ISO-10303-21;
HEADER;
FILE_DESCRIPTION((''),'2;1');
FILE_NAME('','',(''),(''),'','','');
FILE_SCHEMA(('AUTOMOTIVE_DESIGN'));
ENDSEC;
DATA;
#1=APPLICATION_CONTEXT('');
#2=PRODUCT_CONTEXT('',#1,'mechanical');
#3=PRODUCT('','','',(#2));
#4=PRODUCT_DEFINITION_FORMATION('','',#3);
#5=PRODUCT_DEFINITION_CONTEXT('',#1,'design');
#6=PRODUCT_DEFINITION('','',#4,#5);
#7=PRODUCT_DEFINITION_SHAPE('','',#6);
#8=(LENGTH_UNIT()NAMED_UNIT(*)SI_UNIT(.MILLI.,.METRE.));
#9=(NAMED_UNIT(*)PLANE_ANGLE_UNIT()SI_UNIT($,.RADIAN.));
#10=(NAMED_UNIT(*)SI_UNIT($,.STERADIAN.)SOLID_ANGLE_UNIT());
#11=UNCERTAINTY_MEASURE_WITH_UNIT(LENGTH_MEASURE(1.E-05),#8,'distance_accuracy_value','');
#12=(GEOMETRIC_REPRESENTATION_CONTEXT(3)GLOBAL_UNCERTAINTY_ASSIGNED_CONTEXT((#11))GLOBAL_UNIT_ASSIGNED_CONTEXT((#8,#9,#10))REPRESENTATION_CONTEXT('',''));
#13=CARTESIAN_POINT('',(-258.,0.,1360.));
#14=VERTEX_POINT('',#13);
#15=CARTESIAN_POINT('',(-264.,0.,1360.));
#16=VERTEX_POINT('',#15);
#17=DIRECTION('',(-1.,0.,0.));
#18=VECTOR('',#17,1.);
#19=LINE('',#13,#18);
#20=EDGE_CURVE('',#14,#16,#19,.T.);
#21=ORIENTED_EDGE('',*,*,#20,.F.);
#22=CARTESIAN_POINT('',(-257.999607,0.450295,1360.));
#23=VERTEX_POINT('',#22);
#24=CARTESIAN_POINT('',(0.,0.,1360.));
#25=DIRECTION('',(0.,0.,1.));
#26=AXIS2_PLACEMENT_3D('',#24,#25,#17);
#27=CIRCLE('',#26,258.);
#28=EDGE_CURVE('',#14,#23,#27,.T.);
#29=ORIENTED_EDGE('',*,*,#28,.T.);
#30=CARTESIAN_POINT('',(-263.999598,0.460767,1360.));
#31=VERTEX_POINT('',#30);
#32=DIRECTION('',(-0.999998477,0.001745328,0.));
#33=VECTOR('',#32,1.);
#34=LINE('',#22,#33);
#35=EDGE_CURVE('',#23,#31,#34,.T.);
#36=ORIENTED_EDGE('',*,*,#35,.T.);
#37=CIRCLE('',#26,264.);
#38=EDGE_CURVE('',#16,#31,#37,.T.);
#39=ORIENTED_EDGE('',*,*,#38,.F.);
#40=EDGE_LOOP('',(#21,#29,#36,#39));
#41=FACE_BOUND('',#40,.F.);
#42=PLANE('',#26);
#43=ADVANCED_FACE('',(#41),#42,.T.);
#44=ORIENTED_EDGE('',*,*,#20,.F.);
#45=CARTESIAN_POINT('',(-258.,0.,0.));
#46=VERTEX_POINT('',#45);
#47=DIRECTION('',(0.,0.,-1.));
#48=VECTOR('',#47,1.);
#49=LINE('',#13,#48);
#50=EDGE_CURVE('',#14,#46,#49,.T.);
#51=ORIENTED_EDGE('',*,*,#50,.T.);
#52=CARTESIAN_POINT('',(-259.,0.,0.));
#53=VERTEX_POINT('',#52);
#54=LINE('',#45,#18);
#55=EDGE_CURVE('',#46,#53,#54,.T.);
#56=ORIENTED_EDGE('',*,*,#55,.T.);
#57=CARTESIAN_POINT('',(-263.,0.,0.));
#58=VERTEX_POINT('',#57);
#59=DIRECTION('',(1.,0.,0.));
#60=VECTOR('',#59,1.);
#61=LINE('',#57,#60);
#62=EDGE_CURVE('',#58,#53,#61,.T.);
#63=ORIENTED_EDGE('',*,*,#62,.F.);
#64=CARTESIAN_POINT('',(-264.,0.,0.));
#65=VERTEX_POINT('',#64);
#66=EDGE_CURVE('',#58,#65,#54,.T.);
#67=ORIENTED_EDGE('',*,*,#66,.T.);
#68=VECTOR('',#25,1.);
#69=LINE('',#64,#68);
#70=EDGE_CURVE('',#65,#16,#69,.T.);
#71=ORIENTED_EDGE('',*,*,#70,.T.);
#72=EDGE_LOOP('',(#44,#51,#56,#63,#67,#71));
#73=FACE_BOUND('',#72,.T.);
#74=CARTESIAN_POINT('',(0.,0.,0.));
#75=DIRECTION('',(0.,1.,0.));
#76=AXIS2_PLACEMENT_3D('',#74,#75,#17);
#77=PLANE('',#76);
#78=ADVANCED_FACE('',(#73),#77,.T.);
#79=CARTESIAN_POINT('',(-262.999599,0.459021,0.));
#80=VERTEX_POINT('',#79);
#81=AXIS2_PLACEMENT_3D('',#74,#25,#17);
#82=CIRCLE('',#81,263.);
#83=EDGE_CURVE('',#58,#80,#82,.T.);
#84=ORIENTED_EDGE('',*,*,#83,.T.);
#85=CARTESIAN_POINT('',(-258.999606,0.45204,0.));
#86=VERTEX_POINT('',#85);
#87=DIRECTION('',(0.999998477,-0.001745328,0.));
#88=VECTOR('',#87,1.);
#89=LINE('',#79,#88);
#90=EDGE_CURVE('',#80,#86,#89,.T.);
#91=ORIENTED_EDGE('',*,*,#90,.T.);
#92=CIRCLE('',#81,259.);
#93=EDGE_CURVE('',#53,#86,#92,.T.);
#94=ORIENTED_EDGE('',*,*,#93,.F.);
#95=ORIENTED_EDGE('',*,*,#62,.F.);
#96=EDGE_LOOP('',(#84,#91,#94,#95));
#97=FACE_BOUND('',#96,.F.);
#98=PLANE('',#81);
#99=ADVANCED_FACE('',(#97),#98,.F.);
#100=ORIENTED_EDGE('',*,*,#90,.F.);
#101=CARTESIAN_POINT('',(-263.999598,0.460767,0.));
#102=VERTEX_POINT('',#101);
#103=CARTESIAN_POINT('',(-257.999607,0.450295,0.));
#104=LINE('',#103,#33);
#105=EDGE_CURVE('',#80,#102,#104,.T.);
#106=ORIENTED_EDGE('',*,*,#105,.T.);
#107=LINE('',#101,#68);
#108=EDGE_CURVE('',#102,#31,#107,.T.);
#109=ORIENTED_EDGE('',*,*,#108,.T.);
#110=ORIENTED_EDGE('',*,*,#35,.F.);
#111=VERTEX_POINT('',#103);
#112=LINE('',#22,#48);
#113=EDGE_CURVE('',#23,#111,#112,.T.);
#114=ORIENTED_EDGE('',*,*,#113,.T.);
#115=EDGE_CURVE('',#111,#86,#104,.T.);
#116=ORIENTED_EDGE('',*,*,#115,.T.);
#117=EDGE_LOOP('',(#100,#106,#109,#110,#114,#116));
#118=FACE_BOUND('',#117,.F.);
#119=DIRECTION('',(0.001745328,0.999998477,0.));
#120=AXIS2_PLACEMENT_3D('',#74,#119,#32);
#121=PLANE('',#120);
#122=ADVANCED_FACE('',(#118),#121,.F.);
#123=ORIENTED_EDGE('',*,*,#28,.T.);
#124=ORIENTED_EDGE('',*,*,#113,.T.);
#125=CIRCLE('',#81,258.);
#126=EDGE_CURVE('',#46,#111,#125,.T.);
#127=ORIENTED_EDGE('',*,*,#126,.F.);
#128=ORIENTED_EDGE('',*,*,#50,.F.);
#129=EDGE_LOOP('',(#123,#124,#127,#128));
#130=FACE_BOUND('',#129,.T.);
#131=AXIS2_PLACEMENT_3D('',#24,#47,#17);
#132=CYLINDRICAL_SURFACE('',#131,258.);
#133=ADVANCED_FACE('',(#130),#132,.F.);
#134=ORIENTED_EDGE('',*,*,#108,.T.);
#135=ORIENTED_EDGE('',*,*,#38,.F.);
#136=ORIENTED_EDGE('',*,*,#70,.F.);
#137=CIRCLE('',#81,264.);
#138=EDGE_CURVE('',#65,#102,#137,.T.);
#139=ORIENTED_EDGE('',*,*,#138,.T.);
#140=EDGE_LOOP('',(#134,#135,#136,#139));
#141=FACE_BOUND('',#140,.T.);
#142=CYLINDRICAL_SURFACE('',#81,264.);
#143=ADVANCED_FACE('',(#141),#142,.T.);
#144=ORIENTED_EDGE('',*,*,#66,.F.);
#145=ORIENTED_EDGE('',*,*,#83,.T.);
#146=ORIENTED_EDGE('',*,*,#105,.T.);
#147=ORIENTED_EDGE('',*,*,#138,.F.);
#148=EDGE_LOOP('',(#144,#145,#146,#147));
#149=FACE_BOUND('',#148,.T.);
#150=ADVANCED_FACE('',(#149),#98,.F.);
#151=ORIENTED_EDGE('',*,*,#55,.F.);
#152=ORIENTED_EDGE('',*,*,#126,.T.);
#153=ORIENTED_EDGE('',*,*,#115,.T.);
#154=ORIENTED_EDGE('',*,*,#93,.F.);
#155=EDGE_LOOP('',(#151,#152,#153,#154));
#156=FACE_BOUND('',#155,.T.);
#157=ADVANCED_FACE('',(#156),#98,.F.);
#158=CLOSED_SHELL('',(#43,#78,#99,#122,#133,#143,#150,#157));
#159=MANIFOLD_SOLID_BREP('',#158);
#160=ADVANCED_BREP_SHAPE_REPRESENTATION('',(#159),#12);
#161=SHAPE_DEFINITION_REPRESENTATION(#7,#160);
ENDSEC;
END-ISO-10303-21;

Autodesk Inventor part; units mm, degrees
ref_plane "YZ Plane" through (0, 0, 0) normal (1, 0, 0) x (0, 1, 0)
ref_plane "XZ Plane" through (0, 0, 0) normal (0, 1, 0) x (-1, 0, 0)
ref_plane "XY Plane" through (0, 0, 0) normal (0, 0, 1) x (1, 0, 0)
sketch "Sketch1" plane through (0, 0, 0) normal (0, 1, 0) x (-1, 0, 0)
  line L0 (258, 1360) -> (258, 0)
  line L1 (258, 0) -> (264, 0)
  line L2 (0, 0) -> (0, 109.131)
  line L3 (258, 1360) -> (264, 1360)
  line L4 (264, 0) -> (264, 1360)
  line L5 (263, 0) -> (259, 0)
  point P0 (261, 0)
  dimension "d3" = 6
  dimension "d5" = 1360
  dimension "d12" = 528
revolve "Revolution1" add sketch "Sketch1" angle 359.9 about axis through (0, 0, 0) along (0, 0, 1)
sketch "Sketch2" plane through (0, 0, 0) normal (0, 1, 0) x (-1, 0, 0)
  circle A0 centre (0, -706) radius 706
  point P0 (0, 0)
  dimension "d9" = 1412
extrude "Extrusion1" [suppressed]
equation "\"BendRadius\" = Thickness"
equation "\"BendReliefWidth\" = Thickness"
equation "\"BendReliefDepth\" = 0.5 * Thickness"
equation "\"CornerReliefSize\" = 4 * Thickness"
equation "\"MinimumRemnant\" = 2 * Thickness"
equation "\"TransitionRadius\" = BendRadius"
equation "\"JacobiRadiusSize\" = BendRadius"
equation "\"GapSize\" = Thickness"
equation "\"Thickness\" = 6"
properties part number "ANP 1491 accses hatch shell" material "Steel"
